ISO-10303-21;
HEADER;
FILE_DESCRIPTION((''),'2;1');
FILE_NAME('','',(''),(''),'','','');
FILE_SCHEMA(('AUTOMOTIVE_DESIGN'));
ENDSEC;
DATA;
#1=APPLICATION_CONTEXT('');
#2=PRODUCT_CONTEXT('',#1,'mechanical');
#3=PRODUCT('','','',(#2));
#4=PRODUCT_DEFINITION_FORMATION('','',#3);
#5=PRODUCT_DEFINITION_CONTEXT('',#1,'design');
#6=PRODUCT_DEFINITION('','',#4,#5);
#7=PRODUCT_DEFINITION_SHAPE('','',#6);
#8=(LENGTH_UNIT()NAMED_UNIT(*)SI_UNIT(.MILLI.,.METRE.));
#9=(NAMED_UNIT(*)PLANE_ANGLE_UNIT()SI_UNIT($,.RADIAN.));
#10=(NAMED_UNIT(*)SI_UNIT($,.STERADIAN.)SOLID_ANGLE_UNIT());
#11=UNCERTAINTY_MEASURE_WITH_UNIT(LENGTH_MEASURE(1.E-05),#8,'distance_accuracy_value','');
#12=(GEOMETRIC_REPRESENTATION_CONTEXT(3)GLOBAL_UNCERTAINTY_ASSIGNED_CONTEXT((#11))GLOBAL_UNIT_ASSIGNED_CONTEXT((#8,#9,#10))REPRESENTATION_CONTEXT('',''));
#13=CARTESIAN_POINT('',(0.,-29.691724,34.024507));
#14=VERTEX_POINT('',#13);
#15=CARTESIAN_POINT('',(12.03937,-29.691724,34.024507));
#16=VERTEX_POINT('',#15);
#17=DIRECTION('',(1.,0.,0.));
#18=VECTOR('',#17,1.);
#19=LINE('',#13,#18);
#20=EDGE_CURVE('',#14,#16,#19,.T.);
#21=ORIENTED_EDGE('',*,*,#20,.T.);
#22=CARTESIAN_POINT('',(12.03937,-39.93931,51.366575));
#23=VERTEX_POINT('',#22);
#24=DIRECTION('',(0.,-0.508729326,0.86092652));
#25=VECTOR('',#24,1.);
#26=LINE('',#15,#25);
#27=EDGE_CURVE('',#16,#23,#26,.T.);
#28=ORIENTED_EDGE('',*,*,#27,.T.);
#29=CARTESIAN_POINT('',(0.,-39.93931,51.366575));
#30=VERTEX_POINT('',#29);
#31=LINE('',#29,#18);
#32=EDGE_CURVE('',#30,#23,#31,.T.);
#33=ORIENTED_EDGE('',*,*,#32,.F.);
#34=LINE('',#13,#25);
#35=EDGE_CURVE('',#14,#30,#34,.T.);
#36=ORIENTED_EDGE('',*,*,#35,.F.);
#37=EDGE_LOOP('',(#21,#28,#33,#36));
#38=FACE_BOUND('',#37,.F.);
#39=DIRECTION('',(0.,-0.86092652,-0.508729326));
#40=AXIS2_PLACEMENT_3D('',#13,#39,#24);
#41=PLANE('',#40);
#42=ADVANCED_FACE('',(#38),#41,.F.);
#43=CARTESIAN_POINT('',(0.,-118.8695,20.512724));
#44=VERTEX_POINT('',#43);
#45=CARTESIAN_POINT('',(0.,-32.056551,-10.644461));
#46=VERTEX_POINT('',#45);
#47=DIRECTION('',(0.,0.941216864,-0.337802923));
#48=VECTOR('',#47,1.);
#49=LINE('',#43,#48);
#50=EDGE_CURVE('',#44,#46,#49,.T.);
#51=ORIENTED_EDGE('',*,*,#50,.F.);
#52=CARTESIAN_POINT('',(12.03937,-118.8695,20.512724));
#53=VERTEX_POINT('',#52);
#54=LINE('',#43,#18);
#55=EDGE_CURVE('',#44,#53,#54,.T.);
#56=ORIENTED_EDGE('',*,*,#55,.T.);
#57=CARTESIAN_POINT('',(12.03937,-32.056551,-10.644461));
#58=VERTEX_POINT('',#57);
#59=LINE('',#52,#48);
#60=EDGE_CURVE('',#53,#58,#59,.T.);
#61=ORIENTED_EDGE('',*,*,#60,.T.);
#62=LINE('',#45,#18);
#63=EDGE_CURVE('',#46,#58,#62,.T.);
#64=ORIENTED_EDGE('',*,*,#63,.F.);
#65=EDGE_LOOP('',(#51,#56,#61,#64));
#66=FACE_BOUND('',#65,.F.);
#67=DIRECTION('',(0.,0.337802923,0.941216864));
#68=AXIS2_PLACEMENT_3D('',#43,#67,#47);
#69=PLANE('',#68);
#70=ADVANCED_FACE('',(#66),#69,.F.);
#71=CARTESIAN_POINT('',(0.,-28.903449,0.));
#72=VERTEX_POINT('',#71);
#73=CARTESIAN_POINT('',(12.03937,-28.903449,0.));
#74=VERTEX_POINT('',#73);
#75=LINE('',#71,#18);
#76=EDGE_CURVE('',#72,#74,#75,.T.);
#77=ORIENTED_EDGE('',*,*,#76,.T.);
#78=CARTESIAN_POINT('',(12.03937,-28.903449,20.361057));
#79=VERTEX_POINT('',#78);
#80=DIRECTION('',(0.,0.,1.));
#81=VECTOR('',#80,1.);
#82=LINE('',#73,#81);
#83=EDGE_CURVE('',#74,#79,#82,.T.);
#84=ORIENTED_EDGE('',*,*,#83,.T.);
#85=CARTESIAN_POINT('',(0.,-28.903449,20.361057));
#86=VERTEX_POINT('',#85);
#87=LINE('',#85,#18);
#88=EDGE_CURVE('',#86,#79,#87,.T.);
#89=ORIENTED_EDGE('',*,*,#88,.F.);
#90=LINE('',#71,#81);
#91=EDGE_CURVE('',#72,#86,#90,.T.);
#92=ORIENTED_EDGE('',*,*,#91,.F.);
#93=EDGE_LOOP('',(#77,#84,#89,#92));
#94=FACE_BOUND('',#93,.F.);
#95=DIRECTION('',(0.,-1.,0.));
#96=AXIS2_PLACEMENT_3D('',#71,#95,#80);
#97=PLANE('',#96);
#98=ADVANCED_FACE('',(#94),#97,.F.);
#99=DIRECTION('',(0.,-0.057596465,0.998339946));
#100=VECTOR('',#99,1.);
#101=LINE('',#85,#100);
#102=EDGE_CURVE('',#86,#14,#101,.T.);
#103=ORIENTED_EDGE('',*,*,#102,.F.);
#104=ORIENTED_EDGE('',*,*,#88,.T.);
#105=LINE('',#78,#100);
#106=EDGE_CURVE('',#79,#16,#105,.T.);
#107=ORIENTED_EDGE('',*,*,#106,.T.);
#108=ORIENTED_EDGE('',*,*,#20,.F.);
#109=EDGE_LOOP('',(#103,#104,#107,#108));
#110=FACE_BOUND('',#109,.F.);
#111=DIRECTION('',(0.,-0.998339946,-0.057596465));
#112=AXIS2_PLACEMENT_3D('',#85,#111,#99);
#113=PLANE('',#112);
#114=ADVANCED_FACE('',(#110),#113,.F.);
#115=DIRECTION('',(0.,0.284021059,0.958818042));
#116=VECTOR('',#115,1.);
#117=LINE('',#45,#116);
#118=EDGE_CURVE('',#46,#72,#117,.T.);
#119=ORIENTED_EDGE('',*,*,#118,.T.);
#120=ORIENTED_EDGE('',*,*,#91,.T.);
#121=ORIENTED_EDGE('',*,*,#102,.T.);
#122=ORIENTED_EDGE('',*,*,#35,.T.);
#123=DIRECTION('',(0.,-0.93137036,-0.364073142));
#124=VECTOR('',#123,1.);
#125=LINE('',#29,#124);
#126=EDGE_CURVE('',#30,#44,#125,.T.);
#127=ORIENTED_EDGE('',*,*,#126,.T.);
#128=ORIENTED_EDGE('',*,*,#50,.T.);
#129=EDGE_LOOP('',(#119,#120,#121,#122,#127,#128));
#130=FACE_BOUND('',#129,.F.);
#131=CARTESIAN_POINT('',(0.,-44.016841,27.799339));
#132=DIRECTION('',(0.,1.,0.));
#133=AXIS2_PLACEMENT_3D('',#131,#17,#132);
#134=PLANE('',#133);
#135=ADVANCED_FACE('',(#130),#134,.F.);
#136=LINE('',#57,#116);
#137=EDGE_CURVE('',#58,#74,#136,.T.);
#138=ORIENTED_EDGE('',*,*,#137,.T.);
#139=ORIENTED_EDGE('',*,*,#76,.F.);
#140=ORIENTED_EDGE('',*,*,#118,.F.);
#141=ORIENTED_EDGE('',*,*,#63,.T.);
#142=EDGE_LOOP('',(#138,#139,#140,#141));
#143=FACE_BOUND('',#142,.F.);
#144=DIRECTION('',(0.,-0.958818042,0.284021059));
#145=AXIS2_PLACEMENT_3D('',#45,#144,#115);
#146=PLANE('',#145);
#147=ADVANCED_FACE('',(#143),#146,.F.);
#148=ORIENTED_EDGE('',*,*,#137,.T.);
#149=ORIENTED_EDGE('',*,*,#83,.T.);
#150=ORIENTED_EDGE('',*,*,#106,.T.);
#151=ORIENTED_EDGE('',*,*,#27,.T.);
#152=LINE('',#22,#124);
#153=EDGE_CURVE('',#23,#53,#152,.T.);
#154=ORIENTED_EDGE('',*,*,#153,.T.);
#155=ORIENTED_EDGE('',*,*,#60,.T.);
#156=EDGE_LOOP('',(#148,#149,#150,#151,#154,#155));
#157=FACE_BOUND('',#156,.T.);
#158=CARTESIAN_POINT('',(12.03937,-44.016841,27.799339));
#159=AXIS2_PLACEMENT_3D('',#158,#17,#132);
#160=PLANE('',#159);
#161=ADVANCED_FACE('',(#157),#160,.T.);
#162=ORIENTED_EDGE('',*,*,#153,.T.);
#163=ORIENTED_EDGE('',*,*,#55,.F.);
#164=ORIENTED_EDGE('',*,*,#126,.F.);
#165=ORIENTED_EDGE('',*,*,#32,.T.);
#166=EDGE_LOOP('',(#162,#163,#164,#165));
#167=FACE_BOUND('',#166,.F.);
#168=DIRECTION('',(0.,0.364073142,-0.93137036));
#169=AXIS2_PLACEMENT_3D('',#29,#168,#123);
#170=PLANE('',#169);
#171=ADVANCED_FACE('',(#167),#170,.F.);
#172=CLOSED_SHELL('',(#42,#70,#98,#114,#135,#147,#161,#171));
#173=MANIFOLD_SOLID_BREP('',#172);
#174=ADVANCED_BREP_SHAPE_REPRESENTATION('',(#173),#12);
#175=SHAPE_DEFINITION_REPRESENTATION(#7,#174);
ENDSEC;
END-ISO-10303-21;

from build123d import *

# Parameters (mm, degrees)
F1_DEPTH = 12.03937


with BuildPart() as f1:
    # F0 (on Right) → F1 (new body)
    with BuildSketch(Plane.YZ):
        Polygon((-28.903449, 20.361057), (-29.691724, 34.024507), (-64.375862, 28.769335), align=None)
        Polygon((-64.375862, 28.769335), (-29.691724, 34.024507), (-39.93931, 51.366575), (-118.8695, 20.512724), (-92.762998, 24.468254), align=None)
        Polygon((-28.903449, 0), (-28.903449, 17.470712), (-68.842761, 17.470712), align=None)
        Polygon((-28.903449, 20.361057), (-64.375862, 28.769335), (-92.762998, 24.468254), (-68.842761, 17.470712), (-28.903449, 17.470712), align=None)
        Polygon((-68.842761, 17.470712), (-92.762998, 24.468254), (-118.8695, 20.512724), (-32.056551, -10.644461), (-28.903449, 0), align=None)
    extrude(amount=F1_DEPTH)


solid = f1.part
